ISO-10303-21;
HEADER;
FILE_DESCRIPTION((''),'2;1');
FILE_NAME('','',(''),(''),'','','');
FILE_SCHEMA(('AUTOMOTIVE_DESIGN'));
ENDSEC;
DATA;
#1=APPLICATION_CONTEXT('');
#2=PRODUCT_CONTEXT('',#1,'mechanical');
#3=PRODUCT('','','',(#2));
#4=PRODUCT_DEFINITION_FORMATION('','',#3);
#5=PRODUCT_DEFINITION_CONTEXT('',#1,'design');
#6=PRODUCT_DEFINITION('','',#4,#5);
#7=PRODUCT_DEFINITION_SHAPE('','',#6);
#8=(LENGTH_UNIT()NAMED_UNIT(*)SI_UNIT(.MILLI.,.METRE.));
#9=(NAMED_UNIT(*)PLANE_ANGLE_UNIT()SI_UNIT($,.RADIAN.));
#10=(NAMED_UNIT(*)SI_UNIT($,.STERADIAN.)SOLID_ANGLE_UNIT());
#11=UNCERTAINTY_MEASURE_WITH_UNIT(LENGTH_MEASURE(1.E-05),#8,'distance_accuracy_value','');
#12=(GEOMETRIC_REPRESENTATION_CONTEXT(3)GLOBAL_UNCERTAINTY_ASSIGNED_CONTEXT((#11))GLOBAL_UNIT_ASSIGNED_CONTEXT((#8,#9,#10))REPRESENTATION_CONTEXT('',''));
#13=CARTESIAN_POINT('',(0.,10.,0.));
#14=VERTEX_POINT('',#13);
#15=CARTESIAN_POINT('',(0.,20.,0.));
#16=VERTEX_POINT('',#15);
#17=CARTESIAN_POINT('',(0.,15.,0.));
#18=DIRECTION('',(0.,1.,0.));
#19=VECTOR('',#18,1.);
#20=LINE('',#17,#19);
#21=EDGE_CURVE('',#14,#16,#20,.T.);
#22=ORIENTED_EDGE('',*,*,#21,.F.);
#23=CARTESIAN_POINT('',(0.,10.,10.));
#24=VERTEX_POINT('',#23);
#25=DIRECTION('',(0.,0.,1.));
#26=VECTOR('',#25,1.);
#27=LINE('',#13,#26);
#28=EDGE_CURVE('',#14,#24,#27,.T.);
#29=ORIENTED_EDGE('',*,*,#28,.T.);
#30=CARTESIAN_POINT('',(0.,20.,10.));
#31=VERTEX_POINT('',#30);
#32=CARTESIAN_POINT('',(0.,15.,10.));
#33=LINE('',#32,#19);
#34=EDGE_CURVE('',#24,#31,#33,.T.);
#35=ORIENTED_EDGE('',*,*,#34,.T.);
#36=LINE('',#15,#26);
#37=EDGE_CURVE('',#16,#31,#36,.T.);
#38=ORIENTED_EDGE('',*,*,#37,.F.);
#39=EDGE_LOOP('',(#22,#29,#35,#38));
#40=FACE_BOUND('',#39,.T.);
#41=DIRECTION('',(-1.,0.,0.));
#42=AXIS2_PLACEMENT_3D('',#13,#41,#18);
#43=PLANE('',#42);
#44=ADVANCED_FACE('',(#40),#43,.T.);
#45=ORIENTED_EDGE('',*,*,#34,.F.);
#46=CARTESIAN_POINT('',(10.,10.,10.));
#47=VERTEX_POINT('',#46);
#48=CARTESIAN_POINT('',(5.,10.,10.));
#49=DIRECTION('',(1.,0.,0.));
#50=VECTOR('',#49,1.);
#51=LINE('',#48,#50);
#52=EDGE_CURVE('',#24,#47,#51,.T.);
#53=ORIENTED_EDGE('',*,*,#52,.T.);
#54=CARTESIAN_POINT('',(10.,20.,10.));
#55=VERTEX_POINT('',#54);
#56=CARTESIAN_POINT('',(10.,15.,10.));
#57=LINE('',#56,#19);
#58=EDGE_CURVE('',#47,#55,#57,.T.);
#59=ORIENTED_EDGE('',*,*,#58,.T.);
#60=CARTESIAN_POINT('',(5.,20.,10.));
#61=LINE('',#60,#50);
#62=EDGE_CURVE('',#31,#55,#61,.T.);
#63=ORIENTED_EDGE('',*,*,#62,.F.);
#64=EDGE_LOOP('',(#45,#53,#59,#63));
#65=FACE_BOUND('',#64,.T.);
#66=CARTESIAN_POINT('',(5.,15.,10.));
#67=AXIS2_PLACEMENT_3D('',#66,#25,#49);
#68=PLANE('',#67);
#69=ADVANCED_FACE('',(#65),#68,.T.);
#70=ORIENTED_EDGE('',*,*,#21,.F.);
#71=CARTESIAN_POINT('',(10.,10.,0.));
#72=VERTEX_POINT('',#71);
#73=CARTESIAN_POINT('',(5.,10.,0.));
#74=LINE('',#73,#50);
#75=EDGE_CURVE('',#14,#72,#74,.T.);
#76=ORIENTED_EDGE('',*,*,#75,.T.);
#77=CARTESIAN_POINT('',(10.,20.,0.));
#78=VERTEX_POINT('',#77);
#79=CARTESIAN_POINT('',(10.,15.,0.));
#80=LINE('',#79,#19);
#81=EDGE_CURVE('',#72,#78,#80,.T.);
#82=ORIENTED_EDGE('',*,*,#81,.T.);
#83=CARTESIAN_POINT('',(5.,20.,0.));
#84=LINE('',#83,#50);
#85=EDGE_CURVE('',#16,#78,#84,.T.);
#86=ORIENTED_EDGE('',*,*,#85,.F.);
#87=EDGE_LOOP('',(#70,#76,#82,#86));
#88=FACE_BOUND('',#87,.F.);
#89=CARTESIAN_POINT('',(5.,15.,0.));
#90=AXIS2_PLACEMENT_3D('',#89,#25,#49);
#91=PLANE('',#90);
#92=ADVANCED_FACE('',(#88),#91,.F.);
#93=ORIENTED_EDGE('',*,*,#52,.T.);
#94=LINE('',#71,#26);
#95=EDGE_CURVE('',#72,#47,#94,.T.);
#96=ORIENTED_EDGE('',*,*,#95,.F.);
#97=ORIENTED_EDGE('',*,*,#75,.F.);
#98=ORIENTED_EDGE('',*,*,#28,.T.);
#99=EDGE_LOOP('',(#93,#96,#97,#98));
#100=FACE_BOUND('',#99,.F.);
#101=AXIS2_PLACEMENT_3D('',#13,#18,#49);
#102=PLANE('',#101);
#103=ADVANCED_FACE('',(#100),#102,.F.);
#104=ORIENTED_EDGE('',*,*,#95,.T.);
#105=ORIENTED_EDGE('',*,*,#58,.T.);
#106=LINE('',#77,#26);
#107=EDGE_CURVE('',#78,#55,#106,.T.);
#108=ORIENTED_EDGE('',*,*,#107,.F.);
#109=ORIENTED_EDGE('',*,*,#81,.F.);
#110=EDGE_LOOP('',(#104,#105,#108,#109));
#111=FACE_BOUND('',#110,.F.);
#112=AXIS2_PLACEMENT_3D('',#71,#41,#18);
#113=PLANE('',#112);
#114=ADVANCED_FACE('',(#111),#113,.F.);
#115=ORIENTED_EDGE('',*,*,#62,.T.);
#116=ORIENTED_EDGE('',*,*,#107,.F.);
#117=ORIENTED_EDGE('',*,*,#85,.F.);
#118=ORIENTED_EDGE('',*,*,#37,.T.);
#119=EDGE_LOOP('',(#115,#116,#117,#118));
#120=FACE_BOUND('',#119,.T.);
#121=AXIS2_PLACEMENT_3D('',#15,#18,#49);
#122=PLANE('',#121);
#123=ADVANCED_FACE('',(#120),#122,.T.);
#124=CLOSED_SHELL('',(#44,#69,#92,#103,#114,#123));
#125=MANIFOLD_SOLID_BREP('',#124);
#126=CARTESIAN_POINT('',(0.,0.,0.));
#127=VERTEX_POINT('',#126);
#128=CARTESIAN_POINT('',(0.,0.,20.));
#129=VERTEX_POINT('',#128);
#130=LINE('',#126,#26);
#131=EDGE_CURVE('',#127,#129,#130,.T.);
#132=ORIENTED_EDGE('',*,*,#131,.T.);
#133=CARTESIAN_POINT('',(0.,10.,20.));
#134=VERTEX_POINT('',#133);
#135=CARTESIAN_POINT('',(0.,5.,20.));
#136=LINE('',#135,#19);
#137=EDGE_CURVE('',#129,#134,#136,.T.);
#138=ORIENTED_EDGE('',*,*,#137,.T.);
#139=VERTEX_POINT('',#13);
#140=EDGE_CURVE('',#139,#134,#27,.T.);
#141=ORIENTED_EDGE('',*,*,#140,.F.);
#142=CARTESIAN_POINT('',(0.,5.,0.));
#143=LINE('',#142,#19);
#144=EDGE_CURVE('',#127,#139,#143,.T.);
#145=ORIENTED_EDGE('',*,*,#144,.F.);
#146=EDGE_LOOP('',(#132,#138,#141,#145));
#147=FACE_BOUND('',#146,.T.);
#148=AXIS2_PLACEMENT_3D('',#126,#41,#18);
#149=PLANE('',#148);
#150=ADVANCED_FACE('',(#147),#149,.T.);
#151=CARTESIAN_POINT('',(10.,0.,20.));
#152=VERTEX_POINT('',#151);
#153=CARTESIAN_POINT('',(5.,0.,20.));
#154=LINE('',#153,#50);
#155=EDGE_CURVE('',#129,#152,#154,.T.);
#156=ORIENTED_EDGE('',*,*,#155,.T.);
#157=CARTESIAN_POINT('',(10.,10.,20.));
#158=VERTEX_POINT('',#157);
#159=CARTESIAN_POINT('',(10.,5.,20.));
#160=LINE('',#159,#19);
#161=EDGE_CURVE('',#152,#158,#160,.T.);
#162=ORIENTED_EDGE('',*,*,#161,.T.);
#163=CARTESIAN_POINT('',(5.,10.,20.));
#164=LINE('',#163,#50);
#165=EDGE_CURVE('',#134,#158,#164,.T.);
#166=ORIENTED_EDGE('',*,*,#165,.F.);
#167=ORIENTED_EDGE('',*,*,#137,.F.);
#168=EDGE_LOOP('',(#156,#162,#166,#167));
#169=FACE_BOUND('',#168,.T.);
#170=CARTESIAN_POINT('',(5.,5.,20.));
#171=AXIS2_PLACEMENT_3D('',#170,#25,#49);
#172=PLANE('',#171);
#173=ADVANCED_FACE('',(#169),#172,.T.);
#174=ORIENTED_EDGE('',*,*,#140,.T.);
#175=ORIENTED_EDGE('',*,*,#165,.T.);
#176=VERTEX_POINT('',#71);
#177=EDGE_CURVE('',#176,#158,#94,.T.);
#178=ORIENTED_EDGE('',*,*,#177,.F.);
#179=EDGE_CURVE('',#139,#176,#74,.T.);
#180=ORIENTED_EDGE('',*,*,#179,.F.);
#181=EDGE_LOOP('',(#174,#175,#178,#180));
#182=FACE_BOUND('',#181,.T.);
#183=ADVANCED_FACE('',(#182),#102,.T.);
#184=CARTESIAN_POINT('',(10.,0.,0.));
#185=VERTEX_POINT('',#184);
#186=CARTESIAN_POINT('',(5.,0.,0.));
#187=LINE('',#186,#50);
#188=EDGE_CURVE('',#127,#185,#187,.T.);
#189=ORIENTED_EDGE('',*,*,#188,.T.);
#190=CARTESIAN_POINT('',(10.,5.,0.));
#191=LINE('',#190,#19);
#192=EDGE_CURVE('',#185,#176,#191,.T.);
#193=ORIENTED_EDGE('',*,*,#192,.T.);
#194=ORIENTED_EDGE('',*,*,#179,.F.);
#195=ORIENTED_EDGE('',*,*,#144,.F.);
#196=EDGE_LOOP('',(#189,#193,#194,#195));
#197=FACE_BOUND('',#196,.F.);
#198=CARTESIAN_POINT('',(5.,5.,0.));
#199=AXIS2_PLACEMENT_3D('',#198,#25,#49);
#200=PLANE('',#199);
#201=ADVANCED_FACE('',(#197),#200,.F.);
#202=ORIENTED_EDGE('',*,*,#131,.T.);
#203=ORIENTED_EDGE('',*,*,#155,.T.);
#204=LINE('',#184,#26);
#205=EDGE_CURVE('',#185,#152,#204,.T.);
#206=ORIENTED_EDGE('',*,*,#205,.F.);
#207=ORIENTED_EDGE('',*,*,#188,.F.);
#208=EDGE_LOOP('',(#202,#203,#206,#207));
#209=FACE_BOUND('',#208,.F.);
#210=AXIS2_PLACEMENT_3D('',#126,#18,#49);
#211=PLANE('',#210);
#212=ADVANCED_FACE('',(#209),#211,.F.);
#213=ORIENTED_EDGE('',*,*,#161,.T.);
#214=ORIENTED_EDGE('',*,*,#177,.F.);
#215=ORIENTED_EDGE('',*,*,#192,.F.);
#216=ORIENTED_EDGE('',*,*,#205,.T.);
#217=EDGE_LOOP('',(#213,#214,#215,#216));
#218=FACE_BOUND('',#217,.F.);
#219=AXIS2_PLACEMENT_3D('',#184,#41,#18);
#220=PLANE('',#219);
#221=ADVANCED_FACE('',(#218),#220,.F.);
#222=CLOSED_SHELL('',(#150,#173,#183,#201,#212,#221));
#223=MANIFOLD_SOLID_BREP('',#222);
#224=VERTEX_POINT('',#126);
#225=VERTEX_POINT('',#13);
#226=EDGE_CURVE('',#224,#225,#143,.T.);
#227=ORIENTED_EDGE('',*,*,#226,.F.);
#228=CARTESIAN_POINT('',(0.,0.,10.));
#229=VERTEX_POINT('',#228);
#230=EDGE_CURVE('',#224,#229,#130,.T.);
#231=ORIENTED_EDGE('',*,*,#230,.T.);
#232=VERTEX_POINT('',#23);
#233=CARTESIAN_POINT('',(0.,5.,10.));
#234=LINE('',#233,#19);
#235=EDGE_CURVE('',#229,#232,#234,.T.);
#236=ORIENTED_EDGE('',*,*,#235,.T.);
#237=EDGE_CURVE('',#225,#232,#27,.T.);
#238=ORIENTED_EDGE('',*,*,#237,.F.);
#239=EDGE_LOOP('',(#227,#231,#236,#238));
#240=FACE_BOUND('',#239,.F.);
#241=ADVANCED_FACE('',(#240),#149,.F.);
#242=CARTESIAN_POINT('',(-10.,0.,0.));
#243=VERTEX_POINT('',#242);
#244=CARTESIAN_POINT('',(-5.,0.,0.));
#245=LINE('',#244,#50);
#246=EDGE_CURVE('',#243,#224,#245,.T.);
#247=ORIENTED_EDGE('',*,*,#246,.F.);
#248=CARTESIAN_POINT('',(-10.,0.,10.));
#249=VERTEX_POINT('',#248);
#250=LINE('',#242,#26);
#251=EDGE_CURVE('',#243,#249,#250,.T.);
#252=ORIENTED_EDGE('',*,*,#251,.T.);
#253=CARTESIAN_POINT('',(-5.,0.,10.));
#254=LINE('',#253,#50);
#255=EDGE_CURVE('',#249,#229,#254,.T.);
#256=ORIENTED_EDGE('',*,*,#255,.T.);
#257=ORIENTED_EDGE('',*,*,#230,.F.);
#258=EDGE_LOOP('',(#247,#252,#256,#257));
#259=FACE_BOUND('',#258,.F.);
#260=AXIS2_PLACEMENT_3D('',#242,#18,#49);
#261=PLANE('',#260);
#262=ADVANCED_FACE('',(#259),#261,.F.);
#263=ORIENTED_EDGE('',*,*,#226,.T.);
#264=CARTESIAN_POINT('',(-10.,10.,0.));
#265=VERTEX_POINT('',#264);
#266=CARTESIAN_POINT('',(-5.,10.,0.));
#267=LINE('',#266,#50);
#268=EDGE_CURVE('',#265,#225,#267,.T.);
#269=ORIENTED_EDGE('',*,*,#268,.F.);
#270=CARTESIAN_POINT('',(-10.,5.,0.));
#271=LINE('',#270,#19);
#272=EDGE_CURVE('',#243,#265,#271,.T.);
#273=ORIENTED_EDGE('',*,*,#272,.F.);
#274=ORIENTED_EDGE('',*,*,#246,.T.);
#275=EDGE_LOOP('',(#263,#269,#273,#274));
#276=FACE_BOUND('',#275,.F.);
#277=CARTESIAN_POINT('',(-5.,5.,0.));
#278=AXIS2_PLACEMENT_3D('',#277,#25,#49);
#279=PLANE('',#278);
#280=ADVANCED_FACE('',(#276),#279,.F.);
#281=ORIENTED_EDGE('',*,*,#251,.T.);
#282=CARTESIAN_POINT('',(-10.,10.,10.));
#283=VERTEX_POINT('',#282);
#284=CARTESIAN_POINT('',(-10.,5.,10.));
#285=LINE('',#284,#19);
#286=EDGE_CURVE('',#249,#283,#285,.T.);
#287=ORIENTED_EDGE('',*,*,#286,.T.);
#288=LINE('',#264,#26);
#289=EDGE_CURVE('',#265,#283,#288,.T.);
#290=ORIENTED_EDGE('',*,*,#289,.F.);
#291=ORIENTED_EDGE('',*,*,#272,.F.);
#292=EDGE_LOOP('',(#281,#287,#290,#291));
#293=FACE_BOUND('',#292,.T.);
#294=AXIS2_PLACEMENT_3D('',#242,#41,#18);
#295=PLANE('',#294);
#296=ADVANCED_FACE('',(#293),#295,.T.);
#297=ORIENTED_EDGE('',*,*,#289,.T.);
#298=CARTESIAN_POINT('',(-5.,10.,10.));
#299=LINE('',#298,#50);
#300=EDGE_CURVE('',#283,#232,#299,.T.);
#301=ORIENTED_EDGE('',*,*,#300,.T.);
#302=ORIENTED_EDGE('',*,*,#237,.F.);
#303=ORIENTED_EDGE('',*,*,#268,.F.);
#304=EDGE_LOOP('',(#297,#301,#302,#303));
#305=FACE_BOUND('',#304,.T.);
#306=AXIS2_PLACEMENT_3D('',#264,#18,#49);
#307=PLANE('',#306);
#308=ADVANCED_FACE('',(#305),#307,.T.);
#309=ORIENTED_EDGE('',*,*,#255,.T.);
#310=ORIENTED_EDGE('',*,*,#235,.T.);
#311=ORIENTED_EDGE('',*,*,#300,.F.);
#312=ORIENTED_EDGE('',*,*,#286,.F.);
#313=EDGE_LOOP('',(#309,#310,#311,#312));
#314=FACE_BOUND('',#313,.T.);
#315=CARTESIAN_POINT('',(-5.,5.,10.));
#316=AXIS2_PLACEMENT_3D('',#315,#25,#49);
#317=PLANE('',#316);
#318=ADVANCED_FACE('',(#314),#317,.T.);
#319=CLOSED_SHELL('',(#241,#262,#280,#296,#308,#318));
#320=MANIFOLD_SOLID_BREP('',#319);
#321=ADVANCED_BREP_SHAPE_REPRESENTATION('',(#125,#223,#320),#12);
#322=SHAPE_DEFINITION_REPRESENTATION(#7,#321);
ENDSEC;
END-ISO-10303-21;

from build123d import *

# Parameters (mm, degrees)
BOX_W        = 10
BOX_H        = 10
BOX_DEPTH    = 10
BOX001_W     = 10
BOX001_H     = 10
BOX001_DEPTH = 10
BOX002_W     = 10
BOX002_H     = 10
BOX002_DEPTH = 20


with BuildPart() as cub:
    # Box → Box (new body)
    with BuildSketch(Plane(origin=(-10, 0, 0), x_dir=(1, 0, 0), z_dir=(0, 0, 1))):
        with Locations((5, 5)):
            Rectangle(BOX_W, BOX_H)
    extrude(amount=BOX_DEPTH)


with BuildPart() as cub001:
    # Box001 → Box001 (new body)
    with BuildSketch(Plane(origin=(0, 10, 0), x_dir=(1, 0, 0), z_dir=(0, 0, 1))):
        with Locations((5, 5)):
            Rectangle(BOX001_W, BOX001_H)
    extrude(amount=BOX001_DEPTH)


with BuildPart() as cub002:
    # Box002 → Box002 (new body)
    with BuildSketch(Plane.XY):
        with Locations((5, 5)):
            Rectangle(BOX002_W, BOX002_H)
    extrude(amount=BOX002_DEPTH)


solid = Compound([cub.part, cub001.part, cub002.part])
